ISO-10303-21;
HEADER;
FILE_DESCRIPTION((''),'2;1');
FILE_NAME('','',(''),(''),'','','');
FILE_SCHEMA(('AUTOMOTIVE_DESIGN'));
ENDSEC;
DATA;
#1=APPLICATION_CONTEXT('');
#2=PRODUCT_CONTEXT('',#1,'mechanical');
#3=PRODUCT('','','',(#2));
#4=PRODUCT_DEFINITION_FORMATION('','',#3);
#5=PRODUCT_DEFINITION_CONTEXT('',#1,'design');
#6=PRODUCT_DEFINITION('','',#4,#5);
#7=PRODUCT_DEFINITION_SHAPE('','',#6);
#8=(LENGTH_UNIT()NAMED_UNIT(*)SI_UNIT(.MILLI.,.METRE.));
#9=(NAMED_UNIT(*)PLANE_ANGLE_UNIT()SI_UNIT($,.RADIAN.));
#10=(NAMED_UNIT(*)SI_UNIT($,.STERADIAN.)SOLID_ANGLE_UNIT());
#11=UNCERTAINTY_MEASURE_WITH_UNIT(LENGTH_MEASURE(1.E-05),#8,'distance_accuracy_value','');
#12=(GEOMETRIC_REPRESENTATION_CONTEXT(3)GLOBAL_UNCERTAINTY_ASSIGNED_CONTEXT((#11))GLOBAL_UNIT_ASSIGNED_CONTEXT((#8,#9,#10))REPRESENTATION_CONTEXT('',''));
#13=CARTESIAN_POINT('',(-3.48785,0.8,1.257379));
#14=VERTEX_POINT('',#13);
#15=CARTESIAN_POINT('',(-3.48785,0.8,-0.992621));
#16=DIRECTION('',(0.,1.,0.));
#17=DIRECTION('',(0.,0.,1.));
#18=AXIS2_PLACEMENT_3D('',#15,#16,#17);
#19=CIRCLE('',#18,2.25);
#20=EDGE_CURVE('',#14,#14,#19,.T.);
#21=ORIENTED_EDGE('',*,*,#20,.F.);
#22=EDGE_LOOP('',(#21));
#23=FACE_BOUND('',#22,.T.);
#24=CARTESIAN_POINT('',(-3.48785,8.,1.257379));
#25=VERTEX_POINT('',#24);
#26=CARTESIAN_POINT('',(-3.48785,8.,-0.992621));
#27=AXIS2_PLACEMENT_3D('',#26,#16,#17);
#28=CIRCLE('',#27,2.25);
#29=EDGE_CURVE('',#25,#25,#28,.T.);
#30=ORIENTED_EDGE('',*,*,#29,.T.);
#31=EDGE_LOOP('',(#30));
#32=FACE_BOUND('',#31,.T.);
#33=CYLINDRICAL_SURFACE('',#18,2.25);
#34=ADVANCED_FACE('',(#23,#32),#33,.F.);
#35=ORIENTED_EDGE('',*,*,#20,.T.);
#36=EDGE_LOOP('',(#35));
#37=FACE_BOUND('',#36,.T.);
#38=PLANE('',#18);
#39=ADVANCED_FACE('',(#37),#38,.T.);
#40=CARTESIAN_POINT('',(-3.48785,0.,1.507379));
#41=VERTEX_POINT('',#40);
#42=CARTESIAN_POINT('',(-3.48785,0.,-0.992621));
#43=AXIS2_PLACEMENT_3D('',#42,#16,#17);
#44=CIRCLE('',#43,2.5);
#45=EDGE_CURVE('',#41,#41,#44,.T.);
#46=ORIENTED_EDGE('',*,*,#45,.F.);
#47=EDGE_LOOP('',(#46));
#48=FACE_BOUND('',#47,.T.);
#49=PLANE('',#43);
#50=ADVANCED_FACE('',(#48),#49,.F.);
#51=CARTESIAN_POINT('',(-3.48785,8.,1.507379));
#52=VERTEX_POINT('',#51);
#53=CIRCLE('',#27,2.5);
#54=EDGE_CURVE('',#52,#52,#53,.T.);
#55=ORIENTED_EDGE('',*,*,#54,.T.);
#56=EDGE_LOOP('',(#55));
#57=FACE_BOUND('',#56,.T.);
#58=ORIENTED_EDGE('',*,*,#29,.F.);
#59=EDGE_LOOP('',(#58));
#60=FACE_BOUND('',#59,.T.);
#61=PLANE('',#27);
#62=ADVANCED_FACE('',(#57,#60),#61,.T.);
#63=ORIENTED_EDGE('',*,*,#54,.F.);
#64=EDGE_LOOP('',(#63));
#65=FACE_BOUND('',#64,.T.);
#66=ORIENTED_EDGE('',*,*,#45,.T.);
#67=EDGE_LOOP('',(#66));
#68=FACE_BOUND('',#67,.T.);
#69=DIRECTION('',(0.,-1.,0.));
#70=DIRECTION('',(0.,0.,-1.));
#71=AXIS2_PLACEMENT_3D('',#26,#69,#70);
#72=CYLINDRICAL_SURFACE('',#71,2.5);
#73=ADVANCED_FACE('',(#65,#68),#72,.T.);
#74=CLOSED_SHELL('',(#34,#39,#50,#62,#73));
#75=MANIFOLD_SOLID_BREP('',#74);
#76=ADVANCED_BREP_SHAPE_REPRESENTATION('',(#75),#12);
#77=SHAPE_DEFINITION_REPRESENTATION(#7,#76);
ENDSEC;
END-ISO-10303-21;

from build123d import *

# Parameters (mm, degrees)
SKETCH1_R           = 2.5
BOSS_EXTRUDE2_DEPTH = 8
SKETCH2_R           = 2.25
CUT_EXTRUDE1_DEPTH  = 7.2


with BuildPart() as part:
    # Sketch1 → Boss-Extrude2 (new body)
    with BuildSketch(Plane(origin=(0, 0, 0), x_dir=(1, 0, 0), z_dir=(0, 1, 0))):
        with Locations(Location((-3.487849653, 0.99262099, 0), (0, 0, 270))):
            Circle(SKETCH1_R)
    extrude(amount=BOSS_EXTRUDE2_DEPTH)

    # Sketch2 → Cut-Extrude1 (cut)
    with BuildSketch(Plane(origin=(0, 8, 0), x_dir=(1, 0, 0), z_dir=(0, 1, 0))):
        with Locations(Location((-3.487849653, 0.99262099, 0), (0, 0, 270))):
            Circle(SKETCH2_R)
    extrude(amount=-CUT_EXTRUDE1_DEPTH, mode=Mode.SUBTRACT)


solid = part.part
